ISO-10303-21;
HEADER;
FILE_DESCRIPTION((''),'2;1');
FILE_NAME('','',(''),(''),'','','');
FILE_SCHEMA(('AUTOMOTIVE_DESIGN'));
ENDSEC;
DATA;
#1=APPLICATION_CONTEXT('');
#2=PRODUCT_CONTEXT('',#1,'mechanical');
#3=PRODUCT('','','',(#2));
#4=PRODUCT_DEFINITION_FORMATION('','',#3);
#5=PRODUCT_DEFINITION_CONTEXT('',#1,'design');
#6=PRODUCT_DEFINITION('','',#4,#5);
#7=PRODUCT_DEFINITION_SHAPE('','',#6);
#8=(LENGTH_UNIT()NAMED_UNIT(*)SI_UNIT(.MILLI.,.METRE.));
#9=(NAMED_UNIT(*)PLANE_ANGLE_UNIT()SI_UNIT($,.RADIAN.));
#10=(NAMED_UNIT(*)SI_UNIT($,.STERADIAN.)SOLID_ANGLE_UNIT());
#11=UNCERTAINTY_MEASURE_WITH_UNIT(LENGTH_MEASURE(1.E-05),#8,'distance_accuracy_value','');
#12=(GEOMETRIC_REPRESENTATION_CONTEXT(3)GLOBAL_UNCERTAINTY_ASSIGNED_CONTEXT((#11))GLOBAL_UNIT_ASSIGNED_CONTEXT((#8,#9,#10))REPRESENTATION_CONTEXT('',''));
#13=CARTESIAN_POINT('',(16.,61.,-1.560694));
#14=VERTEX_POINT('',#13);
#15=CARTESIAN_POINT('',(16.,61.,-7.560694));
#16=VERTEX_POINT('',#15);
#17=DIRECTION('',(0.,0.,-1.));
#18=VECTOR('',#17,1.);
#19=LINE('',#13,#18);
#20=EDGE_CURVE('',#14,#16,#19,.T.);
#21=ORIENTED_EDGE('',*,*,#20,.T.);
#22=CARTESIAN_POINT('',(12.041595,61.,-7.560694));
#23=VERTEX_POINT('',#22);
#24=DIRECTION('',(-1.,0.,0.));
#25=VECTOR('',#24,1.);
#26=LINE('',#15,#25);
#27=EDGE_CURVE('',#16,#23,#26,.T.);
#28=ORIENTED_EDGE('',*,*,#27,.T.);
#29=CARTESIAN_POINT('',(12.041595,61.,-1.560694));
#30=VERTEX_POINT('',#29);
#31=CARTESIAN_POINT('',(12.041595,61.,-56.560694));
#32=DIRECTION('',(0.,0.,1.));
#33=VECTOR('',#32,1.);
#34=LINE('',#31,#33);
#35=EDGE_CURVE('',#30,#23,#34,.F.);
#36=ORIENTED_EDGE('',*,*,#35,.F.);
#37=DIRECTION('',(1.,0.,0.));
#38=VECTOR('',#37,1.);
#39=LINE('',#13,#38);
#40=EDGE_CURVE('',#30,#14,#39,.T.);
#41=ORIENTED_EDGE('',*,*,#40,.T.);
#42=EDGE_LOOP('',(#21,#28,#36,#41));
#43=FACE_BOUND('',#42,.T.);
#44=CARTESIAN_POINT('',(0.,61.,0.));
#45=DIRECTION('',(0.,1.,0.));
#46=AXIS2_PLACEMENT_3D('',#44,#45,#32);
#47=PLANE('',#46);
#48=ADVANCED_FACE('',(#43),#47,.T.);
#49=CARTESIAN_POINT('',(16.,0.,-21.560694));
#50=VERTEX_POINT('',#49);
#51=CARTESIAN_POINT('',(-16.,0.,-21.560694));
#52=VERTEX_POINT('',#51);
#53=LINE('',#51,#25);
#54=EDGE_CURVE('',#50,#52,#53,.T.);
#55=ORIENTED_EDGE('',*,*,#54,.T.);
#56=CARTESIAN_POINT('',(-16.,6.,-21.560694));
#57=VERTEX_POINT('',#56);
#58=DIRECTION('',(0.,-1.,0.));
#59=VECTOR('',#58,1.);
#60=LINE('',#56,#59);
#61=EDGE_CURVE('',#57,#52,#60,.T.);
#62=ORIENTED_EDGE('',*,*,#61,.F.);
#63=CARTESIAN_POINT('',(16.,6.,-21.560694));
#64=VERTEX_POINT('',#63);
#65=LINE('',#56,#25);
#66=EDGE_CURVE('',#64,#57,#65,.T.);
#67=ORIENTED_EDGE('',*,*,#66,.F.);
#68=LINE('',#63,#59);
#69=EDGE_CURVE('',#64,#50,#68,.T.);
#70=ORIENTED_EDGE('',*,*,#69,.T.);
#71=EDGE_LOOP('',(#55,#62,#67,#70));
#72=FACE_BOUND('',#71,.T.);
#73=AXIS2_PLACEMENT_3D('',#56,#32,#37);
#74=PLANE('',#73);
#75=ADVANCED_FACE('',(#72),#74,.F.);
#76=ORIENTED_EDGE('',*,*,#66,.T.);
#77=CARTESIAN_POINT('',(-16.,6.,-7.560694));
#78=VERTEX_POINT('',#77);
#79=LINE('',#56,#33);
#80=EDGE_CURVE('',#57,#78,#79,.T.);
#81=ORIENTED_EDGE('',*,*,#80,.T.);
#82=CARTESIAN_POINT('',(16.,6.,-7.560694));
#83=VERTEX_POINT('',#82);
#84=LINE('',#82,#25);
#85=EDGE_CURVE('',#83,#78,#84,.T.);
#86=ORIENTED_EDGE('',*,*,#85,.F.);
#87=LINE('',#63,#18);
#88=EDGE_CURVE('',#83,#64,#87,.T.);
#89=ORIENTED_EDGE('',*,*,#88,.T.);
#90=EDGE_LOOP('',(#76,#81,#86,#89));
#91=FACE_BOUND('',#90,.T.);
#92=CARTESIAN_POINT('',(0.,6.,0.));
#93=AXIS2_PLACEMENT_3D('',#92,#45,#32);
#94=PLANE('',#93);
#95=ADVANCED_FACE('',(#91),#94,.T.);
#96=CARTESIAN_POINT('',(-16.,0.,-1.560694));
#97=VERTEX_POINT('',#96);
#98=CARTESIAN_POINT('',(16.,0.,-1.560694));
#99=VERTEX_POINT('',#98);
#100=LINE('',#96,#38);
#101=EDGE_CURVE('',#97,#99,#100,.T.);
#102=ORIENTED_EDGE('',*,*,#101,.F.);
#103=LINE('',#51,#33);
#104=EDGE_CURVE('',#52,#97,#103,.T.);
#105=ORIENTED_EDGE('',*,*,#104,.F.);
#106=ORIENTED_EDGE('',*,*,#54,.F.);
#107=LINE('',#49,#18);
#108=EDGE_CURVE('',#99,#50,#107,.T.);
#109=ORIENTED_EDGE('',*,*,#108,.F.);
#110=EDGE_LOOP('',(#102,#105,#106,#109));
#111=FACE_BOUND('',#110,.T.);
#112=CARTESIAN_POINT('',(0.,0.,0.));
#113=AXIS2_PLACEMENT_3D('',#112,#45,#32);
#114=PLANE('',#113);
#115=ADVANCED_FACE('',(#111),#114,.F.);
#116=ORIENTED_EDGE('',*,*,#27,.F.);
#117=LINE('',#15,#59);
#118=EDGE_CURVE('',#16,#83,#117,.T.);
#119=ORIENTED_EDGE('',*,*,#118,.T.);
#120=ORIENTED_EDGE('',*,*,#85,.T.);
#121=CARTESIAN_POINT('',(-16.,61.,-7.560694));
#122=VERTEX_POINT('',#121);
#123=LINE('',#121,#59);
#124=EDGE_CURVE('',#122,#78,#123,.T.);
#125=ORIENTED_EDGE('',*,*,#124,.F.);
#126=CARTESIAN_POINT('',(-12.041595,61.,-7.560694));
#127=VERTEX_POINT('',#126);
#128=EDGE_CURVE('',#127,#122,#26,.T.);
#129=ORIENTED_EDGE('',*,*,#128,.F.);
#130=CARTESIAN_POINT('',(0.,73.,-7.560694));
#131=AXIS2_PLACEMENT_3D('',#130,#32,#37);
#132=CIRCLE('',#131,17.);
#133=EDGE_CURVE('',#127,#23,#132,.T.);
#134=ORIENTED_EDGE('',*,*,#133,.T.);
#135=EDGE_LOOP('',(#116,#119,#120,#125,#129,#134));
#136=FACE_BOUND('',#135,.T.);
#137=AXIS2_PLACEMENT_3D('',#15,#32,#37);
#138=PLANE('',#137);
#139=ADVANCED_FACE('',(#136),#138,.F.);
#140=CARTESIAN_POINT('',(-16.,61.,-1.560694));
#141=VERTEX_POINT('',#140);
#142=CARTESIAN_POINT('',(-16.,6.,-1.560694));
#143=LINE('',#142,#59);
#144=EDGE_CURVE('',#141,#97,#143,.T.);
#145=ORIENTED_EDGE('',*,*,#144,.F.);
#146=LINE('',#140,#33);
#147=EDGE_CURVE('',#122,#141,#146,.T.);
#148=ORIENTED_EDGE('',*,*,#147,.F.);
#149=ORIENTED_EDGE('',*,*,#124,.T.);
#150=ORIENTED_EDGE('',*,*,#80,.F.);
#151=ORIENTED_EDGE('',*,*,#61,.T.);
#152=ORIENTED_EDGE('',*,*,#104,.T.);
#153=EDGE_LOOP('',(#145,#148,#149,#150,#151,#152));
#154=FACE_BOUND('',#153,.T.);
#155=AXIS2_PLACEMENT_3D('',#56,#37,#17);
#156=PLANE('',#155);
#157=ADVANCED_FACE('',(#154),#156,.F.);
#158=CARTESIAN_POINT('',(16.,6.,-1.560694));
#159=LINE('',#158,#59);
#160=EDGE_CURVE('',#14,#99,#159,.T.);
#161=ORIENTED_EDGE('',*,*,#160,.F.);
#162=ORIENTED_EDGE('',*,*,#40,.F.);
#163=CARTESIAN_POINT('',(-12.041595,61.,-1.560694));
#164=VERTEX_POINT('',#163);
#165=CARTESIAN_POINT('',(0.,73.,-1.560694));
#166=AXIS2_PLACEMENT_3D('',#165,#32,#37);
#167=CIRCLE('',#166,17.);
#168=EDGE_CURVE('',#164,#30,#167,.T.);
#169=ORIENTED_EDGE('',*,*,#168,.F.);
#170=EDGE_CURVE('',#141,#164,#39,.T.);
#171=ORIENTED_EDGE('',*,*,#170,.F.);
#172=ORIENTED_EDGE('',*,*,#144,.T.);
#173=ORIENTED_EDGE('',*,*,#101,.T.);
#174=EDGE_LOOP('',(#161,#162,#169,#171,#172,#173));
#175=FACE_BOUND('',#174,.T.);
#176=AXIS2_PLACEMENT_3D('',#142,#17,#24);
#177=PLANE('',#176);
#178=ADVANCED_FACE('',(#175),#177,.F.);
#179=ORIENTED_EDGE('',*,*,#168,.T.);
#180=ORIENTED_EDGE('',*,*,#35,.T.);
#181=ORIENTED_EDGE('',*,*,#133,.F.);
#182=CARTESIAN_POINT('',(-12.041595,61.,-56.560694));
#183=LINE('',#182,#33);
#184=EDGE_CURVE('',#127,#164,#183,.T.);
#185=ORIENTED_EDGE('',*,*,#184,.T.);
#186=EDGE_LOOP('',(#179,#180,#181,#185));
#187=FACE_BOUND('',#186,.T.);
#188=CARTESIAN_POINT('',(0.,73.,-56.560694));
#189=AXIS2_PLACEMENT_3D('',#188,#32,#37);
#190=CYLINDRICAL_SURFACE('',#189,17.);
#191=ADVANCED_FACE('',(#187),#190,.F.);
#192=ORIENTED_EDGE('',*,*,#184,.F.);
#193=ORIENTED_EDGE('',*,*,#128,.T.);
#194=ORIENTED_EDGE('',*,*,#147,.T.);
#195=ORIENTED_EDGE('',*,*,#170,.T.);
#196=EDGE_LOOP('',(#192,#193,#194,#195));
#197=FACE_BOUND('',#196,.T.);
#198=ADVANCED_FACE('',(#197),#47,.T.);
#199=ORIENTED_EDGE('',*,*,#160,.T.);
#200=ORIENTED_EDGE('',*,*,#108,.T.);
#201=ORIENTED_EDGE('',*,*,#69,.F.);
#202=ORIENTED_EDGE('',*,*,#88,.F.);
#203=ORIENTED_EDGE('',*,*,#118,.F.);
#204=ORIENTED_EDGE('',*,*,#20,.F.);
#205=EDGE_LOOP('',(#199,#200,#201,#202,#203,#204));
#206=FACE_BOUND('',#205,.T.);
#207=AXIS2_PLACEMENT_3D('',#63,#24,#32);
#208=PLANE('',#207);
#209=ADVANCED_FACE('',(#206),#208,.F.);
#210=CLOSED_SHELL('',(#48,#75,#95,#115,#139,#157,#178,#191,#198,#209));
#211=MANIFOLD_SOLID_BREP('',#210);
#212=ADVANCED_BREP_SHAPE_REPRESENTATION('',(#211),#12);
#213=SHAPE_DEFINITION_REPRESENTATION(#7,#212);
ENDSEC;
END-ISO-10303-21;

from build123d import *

# Parameters (mm, degrees)
SKETCH_1_W          = 32
SKETCH_1_H          = 20
EXTRUDE_1_DEPTH     = 6
SKETCH_2_W          = 32
SKETCH_2_H          = 6
EXTRUDE_2_DEPTH     = 55
SKETCH_3_R          = 17
CUT_EXTRUDE_1_DEPTH = 55


with BuildPart() as part:
    # 草图1 → 凸台-拉伸1 (new body)
    with BuildSketch(Plane(origin=(0, 0, 0), x_dir=(1, 0, 0), z_dir=(0, 1, 0))):
        with Locations((0, 11.560693642)):
            Rectangle(SKETCH_1_W, SKETCH_1_H)
    extrude(amount=EXTRUDE_1_DEPTH)

    # 草图2 → 凸台-拉伸2 (add)
    with BuildSketch(Plane(origin=(0, 6, 0), x_dir=(1, 0, 0), z_dir=(0, 1, 0))):
        with Locations((0, 4.560693642)):
            Rectangle(SKETCH_2_W, SKETCH_2_H)
    extrude(amount=EXTRUDE_2_DEPTH)

    # 草图3 → 切除-拉伸1 (cut)
    with BuildSketch(Plane.XY.offset(-1.560693642)):
        with Locations((0, 73)):
            Circle(SKETCH_3_R)
    extrude(amount=-CUT_EXTRUDE_1_DEPTH, mode=Mode.SUBTRACT)


solid = part.part
